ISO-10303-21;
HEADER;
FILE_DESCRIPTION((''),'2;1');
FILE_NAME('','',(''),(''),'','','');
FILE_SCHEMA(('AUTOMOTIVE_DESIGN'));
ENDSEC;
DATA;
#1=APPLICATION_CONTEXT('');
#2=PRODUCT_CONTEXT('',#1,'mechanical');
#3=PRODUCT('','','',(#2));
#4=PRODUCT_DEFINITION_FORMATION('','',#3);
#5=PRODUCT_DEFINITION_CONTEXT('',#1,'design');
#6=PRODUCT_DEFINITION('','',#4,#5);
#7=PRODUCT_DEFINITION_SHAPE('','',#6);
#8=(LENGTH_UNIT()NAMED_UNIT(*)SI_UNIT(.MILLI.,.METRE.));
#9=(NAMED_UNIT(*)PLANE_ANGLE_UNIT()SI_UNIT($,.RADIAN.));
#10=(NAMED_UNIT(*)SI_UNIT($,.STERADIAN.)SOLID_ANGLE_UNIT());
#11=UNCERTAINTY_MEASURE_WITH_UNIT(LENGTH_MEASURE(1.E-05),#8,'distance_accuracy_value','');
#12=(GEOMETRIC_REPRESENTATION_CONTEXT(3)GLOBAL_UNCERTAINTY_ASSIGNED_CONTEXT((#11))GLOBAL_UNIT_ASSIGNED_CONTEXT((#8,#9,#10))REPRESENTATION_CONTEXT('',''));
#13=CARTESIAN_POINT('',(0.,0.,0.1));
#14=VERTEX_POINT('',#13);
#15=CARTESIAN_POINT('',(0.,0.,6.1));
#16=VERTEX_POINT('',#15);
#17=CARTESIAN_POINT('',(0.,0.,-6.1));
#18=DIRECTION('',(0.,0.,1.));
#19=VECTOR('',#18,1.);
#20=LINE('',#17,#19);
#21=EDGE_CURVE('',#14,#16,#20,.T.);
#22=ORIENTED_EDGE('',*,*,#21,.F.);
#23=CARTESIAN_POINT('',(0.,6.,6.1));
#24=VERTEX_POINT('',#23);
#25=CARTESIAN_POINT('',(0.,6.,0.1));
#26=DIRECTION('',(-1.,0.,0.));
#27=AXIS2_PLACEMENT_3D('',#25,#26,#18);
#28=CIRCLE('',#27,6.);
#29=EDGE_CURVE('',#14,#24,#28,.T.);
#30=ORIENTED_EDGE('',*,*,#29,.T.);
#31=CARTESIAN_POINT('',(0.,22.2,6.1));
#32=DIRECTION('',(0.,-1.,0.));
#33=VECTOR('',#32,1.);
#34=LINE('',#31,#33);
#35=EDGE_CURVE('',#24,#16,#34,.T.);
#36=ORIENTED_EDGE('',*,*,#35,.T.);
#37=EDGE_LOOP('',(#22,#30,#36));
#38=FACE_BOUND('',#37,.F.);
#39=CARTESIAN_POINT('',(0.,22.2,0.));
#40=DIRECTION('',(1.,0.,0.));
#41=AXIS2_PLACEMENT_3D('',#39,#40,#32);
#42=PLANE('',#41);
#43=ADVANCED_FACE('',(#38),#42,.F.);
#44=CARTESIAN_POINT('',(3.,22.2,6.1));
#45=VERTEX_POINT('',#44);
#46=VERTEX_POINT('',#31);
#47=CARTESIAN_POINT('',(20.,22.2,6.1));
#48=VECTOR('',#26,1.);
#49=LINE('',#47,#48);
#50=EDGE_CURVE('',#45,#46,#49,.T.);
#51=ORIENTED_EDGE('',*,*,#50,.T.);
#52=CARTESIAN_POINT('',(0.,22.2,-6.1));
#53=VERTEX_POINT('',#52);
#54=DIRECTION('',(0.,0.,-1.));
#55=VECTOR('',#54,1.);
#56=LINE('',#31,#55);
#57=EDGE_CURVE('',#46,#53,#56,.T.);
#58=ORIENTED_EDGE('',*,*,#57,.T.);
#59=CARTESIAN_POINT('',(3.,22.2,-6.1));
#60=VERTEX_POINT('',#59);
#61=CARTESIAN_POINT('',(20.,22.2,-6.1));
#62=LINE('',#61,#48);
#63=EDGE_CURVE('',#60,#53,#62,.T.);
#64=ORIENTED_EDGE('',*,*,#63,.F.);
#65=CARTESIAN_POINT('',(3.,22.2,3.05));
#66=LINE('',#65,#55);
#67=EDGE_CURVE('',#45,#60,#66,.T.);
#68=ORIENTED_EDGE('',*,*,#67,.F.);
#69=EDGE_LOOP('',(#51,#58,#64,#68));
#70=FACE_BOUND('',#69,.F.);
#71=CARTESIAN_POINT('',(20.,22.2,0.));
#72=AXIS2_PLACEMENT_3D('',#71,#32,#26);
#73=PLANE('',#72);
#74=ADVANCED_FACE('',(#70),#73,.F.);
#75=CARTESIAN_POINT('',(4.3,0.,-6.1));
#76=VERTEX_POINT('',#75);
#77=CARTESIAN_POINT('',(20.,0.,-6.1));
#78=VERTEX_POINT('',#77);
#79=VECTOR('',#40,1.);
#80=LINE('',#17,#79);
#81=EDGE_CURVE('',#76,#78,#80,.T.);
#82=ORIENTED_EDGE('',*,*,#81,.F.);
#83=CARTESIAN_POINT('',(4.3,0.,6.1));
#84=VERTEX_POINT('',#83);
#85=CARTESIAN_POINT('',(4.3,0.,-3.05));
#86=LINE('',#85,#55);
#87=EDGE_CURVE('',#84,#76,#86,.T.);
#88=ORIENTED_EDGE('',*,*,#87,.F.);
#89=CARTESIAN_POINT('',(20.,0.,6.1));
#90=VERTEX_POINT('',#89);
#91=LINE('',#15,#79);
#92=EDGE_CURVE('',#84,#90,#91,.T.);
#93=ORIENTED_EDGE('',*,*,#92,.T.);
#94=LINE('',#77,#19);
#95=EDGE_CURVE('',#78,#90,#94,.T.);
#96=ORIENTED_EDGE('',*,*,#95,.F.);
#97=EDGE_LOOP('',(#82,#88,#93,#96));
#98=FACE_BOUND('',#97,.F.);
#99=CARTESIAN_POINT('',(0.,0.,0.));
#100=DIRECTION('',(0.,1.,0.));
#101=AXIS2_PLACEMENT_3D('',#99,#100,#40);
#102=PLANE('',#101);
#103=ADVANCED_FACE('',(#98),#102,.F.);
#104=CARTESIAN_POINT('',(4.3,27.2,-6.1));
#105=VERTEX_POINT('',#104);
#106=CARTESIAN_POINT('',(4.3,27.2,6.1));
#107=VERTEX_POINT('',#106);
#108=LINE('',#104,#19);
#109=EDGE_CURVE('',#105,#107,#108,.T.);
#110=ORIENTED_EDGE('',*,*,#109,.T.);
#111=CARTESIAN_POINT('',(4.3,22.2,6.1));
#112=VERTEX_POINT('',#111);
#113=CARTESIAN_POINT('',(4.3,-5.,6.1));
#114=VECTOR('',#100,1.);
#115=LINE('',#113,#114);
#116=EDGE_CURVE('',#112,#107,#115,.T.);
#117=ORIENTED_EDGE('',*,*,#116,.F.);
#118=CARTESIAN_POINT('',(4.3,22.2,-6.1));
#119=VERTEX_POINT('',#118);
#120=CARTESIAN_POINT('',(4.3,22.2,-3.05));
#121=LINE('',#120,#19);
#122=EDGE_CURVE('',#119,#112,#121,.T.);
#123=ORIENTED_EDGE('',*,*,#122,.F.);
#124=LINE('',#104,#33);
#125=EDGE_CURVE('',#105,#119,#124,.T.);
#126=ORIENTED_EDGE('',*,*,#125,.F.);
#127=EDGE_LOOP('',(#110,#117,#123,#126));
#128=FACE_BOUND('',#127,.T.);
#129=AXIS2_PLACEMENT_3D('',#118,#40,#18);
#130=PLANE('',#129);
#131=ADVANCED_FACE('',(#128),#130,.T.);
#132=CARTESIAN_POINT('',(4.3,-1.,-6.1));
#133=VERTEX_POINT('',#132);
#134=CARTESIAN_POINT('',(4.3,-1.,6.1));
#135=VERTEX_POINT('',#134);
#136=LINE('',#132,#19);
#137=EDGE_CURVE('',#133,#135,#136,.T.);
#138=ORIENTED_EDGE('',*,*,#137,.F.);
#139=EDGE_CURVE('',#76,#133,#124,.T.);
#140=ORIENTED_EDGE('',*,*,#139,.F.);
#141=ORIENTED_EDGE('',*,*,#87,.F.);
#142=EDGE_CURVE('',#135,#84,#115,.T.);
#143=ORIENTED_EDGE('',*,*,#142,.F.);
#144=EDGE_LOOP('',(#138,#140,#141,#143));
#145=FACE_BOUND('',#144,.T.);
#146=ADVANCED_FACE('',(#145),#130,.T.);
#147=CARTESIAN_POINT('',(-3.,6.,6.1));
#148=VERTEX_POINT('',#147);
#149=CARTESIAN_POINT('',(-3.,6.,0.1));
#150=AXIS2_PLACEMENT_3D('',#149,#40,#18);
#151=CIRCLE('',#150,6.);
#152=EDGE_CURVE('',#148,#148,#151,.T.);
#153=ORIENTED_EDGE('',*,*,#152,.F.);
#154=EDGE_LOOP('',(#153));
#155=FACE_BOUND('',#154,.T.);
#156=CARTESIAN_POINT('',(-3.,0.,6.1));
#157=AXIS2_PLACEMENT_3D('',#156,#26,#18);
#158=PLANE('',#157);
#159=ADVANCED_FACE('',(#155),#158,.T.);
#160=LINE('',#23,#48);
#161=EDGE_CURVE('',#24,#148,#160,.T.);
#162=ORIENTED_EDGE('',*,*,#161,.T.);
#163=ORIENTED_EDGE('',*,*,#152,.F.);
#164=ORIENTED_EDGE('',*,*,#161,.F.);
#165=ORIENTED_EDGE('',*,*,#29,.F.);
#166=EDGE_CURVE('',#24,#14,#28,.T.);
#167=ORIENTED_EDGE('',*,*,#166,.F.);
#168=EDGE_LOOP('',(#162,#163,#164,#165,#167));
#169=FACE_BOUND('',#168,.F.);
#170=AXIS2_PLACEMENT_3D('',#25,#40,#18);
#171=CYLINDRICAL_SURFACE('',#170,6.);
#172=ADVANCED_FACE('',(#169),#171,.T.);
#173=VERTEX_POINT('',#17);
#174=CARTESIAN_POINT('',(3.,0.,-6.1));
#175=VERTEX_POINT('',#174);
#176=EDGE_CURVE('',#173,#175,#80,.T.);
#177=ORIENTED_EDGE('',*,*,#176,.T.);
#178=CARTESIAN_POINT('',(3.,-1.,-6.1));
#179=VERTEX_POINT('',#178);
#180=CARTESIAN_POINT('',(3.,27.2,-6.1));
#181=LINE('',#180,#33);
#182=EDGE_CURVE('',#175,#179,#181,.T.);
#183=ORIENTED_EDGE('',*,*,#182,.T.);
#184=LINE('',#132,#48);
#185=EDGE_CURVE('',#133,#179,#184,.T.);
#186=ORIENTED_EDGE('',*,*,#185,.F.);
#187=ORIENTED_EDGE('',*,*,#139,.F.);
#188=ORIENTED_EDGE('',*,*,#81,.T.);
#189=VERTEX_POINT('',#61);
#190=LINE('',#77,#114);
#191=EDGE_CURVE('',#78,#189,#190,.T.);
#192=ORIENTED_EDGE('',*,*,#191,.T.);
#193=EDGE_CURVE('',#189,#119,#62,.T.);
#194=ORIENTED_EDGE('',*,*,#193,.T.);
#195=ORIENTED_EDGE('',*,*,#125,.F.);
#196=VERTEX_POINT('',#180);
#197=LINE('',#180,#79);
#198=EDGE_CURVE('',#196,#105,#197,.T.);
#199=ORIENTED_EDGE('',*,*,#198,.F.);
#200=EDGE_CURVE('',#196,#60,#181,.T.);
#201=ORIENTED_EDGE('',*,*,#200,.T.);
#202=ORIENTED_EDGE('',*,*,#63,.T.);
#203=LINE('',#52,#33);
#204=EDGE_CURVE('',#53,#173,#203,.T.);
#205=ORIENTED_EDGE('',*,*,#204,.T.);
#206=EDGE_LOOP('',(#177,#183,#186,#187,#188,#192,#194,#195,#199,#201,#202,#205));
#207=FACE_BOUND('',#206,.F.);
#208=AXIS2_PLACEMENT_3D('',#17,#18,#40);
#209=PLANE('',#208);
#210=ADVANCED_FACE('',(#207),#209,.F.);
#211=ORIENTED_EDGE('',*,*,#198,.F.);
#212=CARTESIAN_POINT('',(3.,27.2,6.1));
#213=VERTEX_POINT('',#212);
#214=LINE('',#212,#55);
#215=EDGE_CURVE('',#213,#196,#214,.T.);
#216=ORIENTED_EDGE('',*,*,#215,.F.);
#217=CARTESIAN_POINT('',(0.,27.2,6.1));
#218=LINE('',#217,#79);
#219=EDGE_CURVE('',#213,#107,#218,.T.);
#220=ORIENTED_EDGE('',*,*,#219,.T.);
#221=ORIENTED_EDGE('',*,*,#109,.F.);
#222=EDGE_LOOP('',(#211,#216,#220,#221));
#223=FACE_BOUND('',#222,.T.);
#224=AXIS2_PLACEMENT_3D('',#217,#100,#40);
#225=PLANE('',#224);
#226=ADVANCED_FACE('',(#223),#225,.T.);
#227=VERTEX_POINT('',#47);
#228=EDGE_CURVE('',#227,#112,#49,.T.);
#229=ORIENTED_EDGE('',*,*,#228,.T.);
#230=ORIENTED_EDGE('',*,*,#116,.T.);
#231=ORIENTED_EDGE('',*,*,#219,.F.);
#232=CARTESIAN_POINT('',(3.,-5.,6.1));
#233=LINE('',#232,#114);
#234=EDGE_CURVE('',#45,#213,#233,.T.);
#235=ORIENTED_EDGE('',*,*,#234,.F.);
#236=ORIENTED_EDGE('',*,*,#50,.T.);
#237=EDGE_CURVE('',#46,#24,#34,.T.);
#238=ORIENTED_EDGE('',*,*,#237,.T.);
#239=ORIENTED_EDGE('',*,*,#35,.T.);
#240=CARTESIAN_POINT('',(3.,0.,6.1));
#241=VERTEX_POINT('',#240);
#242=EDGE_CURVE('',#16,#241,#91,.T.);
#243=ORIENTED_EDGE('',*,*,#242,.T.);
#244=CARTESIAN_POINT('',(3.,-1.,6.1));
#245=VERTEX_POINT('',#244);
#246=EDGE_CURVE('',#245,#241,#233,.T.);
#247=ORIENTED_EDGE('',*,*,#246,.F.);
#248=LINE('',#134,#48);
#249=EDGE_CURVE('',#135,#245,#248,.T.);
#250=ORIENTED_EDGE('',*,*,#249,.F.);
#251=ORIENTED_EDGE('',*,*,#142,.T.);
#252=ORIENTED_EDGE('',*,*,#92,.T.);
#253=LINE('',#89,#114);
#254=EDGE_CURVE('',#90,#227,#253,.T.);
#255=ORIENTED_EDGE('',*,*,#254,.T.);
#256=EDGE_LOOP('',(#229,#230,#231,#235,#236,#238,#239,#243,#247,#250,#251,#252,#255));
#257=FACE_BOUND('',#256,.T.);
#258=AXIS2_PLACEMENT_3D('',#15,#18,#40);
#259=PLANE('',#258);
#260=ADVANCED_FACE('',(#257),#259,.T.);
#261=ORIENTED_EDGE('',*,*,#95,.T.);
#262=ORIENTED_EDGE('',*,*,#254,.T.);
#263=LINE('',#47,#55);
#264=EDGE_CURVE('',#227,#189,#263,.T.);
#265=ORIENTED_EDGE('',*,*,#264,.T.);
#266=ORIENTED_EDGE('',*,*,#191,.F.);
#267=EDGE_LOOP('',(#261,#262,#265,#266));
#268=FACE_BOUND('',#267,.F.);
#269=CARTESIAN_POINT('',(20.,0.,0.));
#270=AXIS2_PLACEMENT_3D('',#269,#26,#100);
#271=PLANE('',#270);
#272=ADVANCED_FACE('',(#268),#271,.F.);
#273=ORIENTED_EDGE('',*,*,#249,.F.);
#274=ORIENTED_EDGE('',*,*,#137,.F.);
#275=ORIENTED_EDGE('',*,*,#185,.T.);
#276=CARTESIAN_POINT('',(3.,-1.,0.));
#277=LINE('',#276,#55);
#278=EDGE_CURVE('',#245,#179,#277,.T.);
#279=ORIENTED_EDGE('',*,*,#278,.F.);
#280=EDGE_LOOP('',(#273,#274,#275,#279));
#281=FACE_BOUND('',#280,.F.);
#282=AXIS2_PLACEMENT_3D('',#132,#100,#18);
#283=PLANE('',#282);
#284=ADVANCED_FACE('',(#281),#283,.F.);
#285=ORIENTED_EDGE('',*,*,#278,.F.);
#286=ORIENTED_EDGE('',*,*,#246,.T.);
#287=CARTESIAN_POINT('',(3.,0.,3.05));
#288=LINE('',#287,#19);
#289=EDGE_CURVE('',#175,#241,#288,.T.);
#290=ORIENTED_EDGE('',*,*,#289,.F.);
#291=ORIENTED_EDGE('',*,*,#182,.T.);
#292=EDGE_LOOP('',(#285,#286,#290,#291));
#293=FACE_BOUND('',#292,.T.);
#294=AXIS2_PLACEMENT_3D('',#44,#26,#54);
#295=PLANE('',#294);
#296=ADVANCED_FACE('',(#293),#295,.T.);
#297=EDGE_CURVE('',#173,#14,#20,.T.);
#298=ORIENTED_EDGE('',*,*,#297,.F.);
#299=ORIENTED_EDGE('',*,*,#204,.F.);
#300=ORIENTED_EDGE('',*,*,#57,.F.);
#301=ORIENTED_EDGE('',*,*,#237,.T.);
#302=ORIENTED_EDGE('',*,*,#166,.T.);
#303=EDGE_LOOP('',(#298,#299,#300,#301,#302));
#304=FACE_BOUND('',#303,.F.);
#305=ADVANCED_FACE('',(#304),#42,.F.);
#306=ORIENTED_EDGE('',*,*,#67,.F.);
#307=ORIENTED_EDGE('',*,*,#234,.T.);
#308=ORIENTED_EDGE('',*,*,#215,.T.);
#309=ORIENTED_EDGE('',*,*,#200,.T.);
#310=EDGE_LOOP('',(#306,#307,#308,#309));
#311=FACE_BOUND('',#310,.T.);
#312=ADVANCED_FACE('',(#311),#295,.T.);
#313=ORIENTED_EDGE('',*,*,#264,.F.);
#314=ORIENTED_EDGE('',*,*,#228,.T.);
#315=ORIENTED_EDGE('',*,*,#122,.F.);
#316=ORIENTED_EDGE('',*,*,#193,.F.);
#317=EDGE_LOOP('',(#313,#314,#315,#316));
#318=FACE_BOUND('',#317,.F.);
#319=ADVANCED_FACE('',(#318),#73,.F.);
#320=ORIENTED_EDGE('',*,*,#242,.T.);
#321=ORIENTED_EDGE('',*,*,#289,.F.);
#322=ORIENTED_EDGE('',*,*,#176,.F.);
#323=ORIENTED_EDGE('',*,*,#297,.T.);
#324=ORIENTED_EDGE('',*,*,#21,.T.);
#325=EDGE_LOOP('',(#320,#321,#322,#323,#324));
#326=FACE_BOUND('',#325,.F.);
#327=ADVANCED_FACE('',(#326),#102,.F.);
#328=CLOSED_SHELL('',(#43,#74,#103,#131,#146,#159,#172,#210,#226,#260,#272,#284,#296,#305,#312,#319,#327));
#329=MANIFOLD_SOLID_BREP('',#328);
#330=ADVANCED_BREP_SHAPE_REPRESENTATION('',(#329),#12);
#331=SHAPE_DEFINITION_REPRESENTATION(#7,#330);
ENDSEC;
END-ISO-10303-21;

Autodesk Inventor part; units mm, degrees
ref_plane "YZ Plane" through (0, 0, 0) normal (1, 0, 0) x (0, 1, 0)
ref_plane "XZ Plane" through (0, 0, 0) normal (0, 1, 0) x (-1, 0, 0)
ref_plane "XY Plane" through (0, 0, 0) normal (0, 0, 1) x (1, 0, 0)
sketch "Sketch1" plane through (0, 0, 0) normal (0, 0, 1) x (1, 0, 0)
  line L0 (0, 0) -> (20, 0)
  line L1 (20, 0) -> (20, 22.2)
  line L2 (20, 22.2) -> (0, 22.2)
  line L3 (0, 22.2) -> (0, 0)
  dimension "d0" = 20
  dimension "d1" = 22.2
extrude "Extrusion1" add sketch "Sketch1" along normal mid plane 12.2
sketch "Sketch2" plane through (0, 0, 6.1) normal (-1, 0, 0) x (0, 0, 1)
  circle A0 centre (-6, 6) radius 6
  line L0 (0, 0) -> (-12.2, 0) projected
  line L1 (0, 22.2) -> (0, 0) projected
  point P0 (-6.1, 0)
  dimension "d4" = 6
  dimension "d5" = 6
  dimension "d6" = 12
extrude "Extrusion2" add sketch "Sketch2" along normal blind 3 contours A0
sketch "Sketch3" plane through (0, 22.2, 6.1) normal (0, 1, 0) x (1, 0, 0)
  line L0 (0, 0) -> (20, 0) projected
  line L1 (3, 12.2) -> (4.3, 12.2)
  line L2 (4.3, 12.2) -> (4.3, 0)
  line L3 (4.3, 0) -> (3, 0)
  line L4 (3, 0) -> (3, 12.2)
  line L5 (0, 12.2) -> (0, 0) projected
  point P0 (0, 6.1)
  dimension "d9" = 3
  dimension "d10" = 1.3
  dimension "d11" = 12.2
extrude "Extrusion3" add sketch "Sketch3" along normal blind 5 and the other way blind 27.2
sketch "Sketch5" plane through (4.3, -5, 6.1) normal (1, 0, 0) x (0, 0, -1)
  line L0 (0, 0) -> (12.2, 0)
  line L1 (12.2, 0) -> (12.2, 4)
  line L2 (12.2, 4) -> (0, 4)
  line L3 (0, 4) -> (0, 0)
  line L4 (0, 5) -> (0, 0) projected
  line L5 (12.2, 5) -> (12.2, 0) projected
  line L6 (12.2, 0) -> (0, 0) projected
  line L7 (12.2, 5) -> (0, 5) projected
  point P0 (6.1, 5)
  dimension "d24" = 1
extrude "Extrusion5" cut sketch "Sketch5" against normal blind 2 contours L3 L2 L1 L0
properties part number "Servo"
